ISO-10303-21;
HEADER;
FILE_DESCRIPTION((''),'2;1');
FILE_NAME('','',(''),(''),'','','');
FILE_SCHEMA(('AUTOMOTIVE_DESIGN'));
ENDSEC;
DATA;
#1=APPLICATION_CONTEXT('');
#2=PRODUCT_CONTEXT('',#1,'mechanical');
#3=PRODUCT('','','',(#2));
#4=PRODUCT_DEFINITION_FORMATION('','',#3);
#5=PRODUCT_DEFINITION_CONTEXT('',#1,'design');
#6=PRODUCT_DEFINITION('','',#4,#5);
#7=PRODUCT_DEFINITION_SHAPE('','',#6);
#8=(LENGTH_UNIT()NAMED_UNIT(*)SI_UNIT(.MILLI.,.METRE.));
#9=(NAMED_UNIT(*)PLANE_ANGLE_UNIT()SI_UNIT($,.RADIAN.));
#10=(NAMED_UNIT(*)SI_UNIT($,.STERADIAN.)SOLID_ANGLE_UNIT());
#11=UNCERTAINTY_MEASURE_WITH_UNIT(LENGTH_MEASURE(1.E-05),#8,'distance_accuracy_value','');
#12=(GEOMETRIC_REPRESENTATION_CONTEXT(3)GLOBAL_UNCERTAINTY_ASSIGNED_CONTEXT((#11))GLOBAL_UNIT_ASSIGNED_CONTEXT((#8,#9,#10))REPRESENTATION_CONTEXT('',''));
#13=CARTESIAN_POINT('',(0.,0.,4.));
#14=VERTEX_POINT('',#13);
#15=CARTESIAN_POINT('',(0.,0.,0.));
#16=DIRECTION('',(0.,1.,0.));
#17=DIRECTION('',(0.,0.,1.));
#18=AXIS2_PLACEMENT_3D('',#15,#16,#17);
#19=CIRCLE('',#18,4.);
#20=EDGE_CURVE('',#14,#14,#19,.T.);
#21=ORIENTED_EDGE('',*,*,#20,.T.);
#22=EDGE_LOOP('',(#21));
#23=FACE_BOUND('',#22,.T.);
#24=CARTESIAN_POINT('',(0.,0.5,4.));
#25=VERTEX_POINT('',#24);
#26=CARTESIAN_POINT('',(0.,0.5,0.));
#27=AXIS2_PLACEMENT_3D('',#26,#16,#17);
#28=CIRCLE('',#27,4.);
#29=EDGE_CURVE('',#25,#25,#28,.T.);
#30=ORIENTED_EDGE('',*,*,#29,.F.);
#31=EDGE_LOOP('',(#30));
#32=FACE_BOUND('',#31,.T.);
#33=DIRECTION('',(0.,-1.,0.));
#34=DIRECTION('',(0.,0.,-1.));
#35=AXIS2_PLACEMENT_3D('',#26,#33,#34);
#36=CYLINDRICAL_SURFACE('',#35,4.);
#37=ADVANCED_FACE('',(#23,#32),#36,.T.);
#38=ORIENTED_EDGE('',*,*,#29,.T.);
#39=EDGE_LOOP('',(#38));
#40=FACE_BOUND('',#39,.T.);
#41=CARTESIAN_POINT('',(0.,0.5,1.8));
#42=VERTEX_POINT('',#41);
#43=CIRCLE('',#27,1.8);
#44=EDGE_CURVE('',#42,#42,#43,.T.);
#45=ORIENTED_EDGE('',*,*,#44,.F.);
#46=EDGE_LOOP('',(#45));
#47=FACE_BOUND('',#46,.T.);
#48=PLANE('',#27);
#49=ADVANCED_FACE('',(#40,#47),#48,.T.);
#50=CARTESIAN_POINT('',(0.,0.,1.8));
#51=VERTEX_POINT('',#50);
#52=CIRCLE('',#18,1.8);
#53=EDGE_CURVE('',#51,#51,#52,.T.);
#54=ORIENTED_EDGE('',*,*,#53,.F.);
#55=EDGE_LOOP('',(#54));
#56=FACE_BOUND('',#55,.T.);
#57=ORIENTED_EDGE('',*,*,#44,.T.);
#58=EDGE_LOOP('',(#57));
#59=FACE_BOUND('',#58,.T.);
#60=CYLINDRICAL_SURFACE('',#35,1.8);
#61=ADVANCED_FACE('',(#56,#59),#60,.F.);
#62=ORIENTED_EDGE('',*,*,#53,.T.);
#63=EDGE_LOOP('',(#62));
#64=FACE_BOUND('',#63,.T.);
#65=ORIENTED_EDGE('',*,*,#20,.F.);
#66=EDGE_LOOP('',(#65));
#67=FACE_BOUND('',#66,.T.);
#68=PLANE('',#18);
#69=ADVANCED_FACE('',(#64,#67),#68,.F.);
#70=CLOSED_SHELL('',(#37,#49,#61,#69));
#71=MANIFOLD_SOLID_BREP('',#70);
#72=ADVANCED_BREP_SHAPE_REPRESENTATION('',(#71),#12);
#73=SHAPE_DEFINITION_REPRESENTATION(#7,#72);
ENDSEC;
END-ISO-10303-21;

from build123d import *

# Parameters (mm, degrees)
SKETCH1_R           = 4
SKETCH1_R_2         = 1.8
BOSS_EXTRUDE1_DEPTH = 0.5


with BuildPart() as part:
    # Sketch1 → Boss-Extrude1 (new body)
    with BuildSketch(Plane(origin=(0, 0, 0), x_dir=(1, 0, 0), z_dir=(0, 1, 0))):
        Circle(SKETCH1_R)
        Circle(SKETCH1_R_2, mode=Mode.SUBTRACT)
    extrude(amount=BOSS_EXTRUDE1_DEPTH)


solid = part.part
